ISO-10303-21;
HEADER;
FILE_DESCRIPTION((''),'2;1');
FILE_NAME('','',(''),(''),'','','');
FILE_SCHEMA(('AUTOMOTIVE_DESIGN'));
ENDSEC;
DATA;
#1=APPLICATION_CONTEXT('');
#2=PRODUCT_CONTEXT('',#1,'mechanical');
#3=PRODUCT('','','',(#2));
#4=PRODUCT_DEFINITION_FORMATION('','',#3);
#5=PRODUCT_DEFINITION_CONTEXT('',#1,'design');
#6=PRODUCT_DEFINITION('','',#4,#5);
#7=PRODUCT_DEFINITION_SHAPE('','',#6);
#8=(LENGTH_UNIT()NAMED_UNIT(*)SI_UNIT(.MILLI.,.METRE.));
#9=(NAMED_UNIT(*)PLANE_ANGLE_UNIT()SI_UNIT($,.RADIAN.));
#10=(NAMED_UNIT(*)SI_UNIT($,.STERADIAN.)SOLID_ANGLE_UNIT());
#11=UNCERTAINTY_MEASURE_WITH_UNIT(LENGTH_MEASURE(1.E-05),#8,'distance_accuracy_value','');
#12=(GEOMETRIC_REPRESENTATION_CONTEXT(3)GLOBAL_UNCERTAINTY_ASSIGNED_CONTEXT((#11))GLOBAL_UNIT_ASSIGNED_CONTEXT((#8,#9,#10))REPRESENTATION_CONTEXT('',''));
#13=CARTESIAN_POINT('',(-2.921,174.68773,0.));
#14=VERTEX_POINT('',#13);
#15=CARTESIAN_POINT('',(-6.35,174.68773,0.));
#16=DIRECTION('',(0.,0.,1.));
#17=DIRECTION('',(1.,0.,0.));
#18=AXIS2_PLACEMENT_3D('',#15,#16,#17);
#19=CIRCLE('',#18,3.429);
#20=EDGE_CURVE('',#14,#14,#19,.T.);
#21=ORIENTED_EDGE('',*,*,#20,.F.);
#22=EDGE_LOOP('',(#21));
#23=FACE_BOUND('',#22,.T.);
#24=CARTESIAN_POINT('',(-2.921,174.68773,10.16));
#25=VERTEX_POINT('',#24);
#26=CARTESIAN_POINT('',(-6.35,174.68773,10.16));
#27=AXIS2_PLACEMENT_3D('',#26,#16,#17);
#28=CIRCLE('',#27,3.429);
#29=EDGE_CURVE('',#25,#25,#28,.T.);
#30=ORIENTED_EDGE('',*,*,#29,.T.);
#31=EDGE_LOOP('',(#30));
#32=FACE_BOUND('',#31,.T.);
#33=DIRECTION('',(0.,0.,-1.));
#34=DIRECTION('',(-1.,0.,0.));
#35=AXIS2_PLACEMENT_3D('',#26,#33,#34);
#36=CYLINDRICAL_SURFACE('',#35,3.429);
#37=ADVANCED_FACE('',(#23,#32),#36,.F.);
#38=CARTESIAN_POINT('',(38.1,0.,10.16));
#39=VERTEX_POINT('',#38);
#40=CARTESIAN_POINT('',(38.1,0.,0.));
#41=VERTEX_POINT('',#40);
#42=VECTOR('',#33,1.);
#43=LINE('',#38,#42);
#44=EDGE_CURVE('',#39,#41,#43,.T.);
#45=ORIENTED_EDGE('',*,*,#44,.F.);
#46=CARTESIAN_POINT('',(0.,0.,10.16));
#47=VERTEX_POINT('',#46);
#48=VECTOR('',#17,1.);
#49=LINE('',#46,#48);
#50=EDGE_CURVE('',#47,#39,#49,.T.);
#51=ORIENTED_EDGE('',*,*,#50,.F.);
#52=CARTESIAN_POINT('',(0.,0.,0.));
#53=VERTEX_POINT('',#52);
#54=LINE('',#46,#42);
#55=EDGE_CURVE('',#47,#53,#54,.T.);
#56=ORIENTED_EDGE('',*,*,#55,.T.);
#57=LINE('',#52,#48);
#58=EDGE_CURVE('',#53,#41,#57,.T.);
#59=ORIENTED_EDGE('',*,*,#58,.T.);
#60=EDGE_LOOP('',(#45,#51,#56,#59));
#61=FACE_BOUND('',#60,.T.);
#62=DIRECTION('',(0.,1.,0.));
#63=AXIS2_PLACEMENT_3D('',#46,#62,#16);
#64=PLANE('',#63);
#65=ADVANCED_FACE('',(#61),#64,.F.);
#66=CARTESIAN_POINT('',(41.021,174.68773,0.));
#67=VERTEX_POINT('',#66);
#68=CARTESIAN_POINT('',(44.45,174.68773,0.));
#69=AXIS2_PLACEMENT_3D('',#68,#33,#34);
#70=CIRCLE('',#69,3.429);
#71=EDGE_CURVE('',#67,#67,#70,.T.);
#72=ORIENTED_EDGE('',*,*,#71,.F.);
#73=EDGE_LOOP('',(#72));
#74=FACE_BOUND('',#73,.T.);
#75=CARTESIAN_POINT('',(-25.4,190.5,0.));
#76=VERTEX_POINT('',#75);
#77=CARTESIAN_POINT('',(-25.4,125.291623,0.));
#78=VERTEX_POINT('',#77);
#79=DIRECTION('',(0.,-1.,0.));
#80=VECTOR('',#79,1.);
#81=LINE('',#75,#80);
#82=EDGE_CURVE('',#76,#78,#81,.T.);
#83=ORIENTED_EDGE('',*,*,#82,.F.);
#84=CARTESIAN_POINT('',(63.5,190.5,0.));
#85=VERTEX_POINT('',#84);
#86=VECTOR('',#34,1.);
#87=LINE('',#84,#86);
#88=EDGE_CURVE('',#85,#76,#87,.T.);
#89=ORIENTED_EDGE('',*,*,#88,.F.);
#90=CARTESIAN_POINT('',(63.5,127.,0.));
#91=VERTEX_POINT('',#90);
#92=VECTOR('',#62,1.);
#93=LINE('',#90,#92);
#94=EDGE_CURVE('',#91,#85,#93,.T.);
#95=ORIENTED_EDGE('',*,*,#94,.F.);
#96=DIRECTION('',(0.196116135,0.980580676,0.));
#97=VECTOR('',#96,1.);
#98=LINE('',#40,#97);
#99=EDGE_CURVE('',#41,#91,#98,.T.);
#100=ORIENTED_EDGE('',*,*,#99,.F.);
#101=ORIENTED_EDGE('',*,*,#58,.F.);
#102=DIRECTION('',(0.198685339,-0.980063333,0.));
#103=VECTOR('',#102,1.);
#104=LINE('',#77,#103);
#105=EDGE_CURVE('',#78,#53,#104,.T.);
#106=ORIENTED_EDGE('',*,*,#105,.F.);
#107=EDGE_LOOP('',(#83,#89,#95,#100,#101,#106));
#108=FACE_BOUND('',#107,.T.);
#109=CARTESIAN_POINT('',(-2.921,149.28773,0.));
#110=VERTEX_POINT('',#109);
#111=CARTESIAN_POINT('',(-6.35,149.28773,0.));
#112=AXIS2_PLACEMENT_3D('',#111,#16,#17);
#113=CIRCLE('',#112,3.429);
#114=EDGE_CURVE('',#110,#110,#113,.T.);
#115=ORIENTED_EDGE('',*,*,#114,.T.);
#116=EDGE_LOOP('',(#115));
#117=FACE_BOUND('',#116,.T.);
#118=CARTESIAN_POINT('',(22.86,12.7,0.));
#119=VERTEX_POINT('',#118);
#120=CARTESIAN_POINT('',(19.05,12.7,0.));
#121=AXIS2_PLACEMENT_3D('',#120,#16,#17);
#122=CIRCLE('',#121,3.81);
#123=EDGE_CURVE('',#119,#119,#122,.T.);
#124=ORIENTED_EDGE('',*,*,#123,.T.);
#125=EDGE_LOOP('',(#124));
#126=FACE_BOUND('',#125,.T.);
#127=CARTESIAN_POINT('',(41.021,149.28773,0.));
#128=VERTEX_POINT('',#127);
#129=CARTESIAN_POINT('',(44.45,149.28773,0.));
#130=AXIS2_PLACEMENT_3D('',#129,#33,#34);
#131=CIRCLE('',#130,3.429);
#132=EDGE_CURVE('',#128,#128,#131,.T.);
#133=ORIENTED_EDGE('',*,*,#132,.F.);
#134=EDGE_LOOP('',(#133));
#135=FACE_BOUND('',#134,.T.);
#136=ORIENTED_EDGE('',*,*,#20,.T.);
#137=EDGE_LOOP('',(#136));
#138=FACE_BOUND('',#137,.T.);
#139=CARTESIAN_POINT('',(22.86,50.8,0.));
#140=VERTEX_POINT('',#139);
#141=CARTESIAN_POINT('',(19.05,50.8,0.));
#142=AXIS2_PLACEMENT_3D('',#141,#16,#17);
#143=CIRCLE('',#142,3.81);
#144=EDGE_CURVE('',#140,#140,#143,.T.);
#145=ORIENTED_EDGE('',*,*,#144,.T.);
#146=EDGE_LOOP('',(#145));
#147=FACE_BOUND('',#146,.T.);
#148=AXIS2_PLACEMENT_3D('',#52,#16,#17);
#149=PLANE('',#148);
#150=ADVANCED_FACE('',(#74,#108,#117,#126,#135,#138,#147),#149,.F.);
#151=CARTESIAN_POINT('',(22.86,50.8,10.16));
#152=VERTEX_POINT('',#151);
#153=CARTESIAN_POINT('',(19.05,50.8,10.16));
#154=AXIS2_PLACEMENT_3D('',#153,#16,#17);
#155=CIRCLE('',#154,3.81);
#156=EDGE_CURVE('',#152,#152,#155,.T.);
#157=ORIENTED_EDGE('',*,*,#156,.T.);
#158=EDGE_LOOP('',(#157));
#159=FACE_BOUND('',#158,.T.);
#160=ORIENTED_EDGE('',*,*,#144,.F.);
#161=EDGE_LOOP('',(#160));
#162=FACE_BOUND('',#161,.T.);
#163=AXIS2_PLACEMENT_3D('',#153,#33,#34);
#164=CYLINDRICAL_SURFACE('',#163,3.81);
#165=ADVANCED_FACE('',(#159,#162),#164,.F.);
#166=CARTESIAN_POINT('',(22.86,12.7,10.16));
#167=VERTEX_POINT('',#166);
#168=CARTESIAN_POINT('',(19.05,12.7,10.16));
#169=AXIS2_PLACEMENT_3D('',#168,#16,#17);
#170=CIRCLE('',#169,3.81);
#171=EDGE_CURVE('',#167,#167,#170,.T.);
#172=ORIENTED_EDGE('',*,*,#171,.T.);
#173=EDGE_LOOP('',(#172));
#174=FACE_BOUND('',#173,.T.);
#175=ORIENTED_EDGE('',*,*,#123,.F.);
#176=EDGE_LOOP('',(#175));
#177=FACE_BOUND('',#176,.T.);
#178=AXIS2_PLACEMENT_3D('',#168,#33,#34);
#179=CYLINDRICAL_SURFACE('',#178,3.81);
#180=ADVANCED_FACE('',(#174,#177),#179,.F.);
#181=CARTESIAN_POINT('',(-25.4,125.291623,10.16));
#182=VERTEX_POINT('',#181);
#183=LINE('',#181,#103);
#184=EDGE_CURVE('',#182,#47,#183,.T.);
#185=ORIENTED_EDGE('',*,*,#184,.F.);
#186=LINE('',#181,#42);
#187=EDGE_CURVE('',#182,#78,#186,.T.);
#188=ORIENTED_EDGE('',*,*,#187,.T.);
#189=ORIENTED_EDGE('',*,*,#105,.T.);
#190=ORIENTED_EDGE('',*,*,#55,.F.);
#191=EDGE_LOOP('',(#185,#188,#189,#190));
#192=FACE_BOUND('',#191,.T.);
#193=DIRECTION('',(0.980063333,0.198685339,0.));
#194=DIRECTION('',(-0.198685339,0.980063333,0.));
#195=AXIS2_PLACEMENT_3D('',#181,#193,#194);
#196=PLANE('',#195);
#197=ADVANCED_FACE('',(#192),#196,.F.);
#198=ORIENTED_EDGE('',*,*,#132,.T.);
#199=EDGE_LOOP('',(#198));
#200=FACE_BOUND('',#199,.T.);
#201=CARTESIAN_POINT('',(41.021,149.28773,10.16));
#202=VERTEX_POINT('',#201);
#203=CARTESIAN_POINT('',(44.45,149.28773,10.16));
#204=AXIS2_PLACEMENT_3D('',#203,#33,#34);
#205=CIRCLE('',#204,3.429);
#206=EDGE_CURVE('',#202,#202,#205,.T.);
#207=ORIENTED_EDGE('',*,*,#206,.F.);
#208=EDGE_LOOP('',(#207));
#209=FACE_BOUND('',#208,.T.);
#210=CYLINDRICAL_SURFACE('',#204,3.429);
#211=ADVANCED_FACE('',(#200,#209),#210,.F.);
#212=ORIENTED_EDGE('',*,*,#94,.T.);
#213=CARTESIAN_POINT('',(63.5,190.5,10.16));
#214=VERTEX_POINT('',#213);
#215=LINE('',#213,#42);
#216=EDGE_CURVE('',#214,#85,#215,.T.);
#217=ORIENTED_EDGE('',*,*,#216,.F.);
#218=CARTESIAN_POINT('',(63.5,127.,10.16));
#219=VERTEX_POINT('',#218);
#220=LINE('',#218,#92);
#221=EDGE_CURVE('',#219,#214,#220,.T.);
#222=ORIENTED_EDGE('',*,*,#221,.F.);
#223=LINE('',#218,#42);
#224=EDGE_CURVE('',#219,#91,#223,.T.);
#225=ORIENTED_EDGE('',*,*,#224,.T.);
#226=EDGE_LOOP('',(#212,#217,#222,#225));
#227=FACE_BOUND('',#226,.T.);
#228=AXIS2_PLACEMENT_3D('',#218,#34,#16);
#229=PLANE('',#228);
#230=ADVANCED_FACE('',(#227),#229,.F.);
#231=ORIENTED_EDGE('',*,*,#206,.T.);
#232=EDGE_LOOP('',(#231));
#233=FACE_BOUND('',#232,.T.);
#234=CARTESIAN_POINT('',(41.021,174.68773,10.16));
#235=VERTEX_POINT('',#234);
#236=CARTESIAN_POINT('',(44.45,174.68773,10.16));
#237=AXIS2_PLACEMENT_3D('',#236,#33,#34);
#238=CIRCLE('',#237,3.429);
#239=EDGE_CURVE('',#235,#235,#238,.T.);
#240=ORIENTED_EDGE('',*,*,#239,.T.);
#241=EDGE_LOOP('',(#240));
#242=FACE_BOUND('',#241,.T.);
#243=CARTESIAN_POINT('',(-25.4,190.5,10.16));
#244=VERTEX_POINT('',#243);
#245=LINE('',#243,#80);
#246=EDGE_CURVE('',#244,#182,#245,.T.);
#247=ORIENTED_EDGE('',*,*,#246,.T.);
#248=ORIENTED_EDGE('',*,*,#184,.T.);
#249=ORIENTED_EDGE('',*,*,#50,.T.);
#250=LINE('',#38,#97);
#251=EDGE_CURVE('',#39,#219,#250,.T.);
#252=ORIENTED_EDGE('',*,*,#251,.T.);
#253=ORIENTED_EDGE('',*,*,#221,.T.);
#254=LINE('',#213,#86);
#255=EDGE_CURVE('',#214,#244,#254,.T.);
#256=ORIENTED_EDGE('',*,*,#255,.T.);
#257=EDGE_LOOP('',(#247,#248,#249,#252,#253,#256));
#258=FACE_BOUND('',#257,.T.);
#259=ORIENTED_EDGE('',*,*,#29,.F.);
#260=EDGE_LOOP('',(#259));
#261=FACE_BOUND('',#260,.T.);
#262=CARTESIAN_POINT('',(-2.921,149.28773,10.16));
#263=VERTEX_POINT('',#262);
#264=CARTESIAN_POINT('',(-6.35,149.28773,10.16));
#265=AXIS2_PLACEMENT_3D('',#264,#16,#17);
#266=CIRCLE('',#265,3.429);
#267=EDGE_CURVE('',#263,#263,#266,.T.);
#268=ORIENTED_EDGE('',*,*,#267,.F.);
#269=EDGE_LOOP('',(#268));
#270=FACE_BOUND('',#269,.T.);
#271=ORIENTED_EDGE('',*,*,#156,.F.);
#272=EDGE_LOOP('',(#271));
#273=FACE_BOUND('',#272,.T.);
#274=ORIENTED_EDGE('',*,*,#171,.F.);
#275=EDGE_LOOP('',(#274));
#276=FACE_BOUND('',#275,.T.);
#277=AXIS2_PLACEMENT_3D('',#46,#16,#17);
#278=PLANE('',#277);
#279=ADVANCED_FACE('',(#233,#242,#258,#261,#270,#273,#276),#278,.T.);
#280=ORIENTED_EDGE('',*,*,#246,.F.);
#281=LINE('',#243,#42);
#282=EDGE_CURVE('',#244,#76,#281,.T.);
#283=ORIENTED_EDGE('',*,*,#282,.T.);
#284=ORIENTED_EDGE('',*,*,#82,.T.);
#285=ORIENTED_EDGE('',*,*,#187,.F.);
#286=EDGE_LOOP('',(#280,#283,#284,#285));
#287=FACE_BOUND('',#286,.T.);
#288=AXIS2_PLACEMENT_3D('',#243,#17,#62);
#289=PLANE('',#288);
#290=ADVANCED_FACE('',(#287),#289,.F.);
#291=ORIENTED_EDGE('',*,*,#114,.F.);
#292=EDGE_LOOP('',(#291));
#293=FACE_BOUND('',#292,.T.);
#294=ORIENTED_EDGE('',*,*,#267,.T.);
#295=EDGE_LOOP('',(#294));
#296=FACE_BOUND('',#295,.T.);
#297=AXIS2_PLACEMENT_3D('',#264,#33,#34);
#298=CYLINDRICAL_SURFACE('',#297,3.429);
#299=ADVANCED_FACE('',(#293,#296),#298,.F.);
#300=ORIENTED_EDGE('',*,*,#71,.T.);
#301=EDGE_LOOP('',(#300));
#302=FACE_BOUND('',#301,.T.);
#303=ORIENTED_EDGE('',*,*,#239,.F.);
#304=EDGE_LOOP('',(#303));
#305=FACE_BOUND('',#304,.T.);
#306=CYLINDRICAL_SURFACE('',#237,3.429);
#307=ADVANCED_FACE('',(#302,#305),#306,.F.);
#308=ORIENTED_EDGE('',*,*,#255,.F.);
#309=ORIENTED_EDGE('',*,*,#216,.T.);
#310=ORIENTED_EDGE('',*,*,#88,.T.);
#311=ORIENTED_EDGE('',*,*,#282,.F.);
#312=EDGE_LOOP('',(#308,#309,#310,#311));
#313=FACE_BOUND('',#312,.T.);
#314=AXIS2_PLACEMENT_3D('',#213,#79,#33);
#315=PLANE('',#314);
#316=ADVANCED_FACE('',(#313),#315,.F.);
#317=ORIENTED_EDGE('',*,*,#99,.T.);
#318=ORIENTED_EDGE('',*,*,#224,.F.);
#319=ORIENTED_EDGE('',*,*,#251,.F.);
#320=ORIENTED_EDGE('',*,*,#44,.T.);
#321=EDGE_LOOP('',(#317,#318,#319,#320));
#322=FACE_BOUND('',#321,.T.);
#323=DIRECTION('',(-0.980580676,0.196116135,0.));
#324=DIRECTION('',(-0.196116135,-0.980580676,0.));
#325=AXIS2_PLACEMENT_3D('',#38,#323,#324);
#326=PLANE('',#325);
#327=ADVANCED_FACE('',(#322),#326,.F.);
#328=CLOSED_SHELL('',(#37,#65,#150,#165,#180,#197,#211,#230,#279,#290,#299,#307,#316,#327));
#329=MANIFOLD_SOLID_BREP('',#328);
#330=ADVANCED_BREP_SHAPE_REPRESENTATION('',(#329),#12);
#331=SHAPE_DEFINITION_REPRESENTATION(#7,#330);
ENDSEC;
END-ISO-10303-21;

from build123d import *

# Parameters (mm, degrees)
SKETCH1_R           = 3.81
SKETCH1_R_2         = 3.429
BOSS_EXTRUDE1_DEPTH = 10.16


with BuildPart() as part:
    # Sketch1 → Boss-Extrude1 (new body)
    with BuildSketch(Plane.XY):
        Polygon((0, 0), (38.1, 0), (63.5, 127), (63.5, 190.5), (-25.4, 190.5), (-25.4, 125.291623319), align=None)
        with Locations((19.05, 12.7)):
            Circle(SKETCH1_R, mode=Mode.SUBTRACT)
        with Locations((19.05, 50.8)):
            Circle(SKETCH1_R, mode=Mode.SUBTRACT)
        with Locations((-6.35, 174.687730396)):
            Circle(SKETCH1_R_2, mode=Mode.SUBTRACT)
        with Locations((-6.35, 149.287730396)):
            Circle(SKETCH1_R_2, mode=Mode.SUBTRACT)
        with Locations(Location((44.45, 149.287730396, 0), (0, 0, 180))):
            Circle(SKETCH1_R_2, mode=Mode.SUBTRACT)
        with Locations(Location((44.45, 174.687730396, 0), (0, 0, 180))):
            Circle(SKETCH1_R_2, mode=Mode.SUBTRACT)
    extrude(amount=BOSS_EXTRUDE1_DEPTH)


solid = part.part
